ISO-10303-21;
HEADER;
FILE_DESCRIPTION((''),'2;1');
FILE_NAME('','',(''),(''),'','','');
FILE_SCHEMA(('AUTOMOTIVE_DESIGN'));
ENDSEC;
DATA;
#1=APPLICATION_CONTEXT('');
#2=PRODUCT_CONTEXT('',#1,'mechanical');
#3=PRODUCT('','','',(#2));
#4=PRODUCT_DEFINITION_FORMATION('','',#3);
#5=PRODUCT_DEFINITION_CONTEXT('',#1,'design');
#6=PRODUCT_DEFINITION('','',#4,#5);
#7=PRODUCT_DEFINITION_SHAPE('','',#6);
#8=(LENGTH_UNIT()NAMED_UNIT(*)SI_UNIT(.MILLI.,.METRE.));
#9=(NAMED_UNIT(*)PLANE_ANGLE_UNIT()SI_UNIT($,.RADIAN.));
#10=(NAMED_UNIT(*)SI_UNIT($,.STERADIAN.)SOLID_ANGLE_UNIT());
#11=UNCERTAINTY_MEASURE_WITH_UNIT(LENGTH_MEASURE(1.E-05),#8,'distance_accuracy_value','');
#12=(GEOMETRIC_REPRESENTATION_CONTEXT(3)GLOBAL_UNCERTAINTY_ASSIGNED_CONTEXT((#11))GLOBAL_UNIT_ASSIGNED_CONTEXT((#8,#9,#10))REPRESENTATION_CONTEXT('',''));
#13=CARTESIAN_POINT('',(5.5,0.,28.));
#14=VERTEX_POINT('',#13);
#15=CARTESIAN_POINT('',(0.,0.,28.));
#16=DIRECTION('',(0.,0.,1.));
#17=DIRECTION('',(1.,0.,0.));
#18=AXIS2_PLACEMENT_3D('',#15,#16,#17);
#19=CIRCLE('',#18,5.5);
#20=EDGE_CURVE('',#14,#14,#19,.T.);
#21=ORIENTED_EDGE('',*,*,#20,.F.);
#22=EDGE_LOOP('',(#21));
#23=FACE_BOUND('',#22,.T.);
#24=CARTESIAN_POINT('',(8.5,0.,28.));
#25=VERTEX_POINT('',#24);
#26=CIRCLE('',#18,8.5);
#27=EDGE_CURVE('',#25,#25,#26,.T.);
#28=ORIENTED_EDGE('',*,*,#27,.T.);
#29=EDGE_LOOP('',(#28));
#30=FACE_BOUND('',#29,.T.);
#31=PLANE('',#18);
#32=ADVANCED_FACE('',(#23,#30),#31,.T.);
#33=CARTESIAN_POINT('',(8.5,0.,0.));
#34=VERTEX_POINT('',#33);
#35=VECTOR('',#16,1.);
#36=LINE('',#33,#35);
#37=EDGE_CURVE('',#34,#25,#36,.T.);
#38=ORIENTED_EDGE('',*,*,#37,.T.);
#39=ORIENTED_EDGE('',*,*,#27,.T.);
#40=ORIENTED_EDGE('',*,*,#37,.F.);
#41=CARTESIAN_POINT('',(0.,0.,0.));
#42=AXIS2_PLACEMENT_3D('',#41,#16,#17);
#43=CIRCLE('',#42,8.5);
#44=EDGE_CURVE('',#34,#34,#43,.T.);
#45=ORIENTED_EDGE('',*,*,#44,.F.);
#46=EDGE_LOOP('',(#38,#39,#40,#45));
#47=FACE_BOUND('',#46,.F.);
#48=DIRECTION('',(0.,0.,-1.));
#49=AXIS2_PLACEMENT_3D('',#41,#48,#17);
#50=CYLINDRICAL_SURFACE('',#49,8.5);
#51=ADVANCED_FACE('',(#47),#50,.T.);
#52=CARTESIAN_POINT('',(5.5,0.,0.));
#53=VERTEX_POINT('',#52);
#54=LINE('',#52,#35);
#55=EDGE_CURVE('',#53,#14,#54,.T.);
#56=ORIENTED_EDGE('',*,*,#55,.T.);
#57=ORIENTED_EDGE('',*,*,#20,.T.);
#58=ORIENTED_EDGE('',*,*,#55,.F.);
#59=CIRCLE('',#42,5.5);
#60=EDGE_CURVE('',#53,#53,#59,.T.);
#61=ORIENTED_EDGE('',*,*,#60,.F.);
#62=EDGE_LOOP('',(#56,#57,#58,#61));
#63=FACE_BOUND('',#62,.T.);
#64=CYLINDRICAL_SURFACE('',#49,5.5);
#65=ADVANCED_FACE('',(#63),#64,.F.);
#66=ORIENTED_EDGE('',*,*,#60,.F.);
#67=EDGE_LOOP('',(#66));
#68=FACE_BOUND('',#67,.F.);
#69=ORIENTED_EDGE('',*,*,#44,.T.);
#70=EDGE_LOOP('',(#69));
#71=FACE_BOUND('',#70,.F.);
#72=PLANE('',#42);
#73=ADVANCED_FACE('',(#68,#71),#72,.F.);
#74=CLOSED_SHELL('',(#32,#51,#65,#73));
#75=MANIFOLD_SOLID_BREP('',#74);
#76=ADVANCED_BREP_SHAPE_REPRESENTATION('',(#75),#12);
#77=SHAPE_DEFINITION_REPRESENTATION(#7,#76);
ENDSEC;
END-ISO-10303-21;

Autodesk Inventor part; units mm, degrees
ref_plane "YZ Plane" through (0, 0, 0) normal (1, 0, 0) x (0, 1, 0)
ref_plane "XZ Plane" through (0, 0, 0) normal (0, 1, 0) x (-1, 0, 0)
ref_plane "XY Plane" through (0, 0, 0) normal (0, 0, 1) x (1, 0, 0)
sketch "Sketch1" plane through (0, 0, 0) normal (0, 0, 1) x (1, 0, 0)
  circle A0 centre (0, 0) radius 5.5
  circle A1 centre (0, 0) radius 8.5
  dimension "d0" = 11
  dimension "d1" = 17
extrude "Extrusion1" add sketch "Sketch1" along normal blind 28
properties part number "1216_Roller Spacer_V1" material "ABS Plastic"
